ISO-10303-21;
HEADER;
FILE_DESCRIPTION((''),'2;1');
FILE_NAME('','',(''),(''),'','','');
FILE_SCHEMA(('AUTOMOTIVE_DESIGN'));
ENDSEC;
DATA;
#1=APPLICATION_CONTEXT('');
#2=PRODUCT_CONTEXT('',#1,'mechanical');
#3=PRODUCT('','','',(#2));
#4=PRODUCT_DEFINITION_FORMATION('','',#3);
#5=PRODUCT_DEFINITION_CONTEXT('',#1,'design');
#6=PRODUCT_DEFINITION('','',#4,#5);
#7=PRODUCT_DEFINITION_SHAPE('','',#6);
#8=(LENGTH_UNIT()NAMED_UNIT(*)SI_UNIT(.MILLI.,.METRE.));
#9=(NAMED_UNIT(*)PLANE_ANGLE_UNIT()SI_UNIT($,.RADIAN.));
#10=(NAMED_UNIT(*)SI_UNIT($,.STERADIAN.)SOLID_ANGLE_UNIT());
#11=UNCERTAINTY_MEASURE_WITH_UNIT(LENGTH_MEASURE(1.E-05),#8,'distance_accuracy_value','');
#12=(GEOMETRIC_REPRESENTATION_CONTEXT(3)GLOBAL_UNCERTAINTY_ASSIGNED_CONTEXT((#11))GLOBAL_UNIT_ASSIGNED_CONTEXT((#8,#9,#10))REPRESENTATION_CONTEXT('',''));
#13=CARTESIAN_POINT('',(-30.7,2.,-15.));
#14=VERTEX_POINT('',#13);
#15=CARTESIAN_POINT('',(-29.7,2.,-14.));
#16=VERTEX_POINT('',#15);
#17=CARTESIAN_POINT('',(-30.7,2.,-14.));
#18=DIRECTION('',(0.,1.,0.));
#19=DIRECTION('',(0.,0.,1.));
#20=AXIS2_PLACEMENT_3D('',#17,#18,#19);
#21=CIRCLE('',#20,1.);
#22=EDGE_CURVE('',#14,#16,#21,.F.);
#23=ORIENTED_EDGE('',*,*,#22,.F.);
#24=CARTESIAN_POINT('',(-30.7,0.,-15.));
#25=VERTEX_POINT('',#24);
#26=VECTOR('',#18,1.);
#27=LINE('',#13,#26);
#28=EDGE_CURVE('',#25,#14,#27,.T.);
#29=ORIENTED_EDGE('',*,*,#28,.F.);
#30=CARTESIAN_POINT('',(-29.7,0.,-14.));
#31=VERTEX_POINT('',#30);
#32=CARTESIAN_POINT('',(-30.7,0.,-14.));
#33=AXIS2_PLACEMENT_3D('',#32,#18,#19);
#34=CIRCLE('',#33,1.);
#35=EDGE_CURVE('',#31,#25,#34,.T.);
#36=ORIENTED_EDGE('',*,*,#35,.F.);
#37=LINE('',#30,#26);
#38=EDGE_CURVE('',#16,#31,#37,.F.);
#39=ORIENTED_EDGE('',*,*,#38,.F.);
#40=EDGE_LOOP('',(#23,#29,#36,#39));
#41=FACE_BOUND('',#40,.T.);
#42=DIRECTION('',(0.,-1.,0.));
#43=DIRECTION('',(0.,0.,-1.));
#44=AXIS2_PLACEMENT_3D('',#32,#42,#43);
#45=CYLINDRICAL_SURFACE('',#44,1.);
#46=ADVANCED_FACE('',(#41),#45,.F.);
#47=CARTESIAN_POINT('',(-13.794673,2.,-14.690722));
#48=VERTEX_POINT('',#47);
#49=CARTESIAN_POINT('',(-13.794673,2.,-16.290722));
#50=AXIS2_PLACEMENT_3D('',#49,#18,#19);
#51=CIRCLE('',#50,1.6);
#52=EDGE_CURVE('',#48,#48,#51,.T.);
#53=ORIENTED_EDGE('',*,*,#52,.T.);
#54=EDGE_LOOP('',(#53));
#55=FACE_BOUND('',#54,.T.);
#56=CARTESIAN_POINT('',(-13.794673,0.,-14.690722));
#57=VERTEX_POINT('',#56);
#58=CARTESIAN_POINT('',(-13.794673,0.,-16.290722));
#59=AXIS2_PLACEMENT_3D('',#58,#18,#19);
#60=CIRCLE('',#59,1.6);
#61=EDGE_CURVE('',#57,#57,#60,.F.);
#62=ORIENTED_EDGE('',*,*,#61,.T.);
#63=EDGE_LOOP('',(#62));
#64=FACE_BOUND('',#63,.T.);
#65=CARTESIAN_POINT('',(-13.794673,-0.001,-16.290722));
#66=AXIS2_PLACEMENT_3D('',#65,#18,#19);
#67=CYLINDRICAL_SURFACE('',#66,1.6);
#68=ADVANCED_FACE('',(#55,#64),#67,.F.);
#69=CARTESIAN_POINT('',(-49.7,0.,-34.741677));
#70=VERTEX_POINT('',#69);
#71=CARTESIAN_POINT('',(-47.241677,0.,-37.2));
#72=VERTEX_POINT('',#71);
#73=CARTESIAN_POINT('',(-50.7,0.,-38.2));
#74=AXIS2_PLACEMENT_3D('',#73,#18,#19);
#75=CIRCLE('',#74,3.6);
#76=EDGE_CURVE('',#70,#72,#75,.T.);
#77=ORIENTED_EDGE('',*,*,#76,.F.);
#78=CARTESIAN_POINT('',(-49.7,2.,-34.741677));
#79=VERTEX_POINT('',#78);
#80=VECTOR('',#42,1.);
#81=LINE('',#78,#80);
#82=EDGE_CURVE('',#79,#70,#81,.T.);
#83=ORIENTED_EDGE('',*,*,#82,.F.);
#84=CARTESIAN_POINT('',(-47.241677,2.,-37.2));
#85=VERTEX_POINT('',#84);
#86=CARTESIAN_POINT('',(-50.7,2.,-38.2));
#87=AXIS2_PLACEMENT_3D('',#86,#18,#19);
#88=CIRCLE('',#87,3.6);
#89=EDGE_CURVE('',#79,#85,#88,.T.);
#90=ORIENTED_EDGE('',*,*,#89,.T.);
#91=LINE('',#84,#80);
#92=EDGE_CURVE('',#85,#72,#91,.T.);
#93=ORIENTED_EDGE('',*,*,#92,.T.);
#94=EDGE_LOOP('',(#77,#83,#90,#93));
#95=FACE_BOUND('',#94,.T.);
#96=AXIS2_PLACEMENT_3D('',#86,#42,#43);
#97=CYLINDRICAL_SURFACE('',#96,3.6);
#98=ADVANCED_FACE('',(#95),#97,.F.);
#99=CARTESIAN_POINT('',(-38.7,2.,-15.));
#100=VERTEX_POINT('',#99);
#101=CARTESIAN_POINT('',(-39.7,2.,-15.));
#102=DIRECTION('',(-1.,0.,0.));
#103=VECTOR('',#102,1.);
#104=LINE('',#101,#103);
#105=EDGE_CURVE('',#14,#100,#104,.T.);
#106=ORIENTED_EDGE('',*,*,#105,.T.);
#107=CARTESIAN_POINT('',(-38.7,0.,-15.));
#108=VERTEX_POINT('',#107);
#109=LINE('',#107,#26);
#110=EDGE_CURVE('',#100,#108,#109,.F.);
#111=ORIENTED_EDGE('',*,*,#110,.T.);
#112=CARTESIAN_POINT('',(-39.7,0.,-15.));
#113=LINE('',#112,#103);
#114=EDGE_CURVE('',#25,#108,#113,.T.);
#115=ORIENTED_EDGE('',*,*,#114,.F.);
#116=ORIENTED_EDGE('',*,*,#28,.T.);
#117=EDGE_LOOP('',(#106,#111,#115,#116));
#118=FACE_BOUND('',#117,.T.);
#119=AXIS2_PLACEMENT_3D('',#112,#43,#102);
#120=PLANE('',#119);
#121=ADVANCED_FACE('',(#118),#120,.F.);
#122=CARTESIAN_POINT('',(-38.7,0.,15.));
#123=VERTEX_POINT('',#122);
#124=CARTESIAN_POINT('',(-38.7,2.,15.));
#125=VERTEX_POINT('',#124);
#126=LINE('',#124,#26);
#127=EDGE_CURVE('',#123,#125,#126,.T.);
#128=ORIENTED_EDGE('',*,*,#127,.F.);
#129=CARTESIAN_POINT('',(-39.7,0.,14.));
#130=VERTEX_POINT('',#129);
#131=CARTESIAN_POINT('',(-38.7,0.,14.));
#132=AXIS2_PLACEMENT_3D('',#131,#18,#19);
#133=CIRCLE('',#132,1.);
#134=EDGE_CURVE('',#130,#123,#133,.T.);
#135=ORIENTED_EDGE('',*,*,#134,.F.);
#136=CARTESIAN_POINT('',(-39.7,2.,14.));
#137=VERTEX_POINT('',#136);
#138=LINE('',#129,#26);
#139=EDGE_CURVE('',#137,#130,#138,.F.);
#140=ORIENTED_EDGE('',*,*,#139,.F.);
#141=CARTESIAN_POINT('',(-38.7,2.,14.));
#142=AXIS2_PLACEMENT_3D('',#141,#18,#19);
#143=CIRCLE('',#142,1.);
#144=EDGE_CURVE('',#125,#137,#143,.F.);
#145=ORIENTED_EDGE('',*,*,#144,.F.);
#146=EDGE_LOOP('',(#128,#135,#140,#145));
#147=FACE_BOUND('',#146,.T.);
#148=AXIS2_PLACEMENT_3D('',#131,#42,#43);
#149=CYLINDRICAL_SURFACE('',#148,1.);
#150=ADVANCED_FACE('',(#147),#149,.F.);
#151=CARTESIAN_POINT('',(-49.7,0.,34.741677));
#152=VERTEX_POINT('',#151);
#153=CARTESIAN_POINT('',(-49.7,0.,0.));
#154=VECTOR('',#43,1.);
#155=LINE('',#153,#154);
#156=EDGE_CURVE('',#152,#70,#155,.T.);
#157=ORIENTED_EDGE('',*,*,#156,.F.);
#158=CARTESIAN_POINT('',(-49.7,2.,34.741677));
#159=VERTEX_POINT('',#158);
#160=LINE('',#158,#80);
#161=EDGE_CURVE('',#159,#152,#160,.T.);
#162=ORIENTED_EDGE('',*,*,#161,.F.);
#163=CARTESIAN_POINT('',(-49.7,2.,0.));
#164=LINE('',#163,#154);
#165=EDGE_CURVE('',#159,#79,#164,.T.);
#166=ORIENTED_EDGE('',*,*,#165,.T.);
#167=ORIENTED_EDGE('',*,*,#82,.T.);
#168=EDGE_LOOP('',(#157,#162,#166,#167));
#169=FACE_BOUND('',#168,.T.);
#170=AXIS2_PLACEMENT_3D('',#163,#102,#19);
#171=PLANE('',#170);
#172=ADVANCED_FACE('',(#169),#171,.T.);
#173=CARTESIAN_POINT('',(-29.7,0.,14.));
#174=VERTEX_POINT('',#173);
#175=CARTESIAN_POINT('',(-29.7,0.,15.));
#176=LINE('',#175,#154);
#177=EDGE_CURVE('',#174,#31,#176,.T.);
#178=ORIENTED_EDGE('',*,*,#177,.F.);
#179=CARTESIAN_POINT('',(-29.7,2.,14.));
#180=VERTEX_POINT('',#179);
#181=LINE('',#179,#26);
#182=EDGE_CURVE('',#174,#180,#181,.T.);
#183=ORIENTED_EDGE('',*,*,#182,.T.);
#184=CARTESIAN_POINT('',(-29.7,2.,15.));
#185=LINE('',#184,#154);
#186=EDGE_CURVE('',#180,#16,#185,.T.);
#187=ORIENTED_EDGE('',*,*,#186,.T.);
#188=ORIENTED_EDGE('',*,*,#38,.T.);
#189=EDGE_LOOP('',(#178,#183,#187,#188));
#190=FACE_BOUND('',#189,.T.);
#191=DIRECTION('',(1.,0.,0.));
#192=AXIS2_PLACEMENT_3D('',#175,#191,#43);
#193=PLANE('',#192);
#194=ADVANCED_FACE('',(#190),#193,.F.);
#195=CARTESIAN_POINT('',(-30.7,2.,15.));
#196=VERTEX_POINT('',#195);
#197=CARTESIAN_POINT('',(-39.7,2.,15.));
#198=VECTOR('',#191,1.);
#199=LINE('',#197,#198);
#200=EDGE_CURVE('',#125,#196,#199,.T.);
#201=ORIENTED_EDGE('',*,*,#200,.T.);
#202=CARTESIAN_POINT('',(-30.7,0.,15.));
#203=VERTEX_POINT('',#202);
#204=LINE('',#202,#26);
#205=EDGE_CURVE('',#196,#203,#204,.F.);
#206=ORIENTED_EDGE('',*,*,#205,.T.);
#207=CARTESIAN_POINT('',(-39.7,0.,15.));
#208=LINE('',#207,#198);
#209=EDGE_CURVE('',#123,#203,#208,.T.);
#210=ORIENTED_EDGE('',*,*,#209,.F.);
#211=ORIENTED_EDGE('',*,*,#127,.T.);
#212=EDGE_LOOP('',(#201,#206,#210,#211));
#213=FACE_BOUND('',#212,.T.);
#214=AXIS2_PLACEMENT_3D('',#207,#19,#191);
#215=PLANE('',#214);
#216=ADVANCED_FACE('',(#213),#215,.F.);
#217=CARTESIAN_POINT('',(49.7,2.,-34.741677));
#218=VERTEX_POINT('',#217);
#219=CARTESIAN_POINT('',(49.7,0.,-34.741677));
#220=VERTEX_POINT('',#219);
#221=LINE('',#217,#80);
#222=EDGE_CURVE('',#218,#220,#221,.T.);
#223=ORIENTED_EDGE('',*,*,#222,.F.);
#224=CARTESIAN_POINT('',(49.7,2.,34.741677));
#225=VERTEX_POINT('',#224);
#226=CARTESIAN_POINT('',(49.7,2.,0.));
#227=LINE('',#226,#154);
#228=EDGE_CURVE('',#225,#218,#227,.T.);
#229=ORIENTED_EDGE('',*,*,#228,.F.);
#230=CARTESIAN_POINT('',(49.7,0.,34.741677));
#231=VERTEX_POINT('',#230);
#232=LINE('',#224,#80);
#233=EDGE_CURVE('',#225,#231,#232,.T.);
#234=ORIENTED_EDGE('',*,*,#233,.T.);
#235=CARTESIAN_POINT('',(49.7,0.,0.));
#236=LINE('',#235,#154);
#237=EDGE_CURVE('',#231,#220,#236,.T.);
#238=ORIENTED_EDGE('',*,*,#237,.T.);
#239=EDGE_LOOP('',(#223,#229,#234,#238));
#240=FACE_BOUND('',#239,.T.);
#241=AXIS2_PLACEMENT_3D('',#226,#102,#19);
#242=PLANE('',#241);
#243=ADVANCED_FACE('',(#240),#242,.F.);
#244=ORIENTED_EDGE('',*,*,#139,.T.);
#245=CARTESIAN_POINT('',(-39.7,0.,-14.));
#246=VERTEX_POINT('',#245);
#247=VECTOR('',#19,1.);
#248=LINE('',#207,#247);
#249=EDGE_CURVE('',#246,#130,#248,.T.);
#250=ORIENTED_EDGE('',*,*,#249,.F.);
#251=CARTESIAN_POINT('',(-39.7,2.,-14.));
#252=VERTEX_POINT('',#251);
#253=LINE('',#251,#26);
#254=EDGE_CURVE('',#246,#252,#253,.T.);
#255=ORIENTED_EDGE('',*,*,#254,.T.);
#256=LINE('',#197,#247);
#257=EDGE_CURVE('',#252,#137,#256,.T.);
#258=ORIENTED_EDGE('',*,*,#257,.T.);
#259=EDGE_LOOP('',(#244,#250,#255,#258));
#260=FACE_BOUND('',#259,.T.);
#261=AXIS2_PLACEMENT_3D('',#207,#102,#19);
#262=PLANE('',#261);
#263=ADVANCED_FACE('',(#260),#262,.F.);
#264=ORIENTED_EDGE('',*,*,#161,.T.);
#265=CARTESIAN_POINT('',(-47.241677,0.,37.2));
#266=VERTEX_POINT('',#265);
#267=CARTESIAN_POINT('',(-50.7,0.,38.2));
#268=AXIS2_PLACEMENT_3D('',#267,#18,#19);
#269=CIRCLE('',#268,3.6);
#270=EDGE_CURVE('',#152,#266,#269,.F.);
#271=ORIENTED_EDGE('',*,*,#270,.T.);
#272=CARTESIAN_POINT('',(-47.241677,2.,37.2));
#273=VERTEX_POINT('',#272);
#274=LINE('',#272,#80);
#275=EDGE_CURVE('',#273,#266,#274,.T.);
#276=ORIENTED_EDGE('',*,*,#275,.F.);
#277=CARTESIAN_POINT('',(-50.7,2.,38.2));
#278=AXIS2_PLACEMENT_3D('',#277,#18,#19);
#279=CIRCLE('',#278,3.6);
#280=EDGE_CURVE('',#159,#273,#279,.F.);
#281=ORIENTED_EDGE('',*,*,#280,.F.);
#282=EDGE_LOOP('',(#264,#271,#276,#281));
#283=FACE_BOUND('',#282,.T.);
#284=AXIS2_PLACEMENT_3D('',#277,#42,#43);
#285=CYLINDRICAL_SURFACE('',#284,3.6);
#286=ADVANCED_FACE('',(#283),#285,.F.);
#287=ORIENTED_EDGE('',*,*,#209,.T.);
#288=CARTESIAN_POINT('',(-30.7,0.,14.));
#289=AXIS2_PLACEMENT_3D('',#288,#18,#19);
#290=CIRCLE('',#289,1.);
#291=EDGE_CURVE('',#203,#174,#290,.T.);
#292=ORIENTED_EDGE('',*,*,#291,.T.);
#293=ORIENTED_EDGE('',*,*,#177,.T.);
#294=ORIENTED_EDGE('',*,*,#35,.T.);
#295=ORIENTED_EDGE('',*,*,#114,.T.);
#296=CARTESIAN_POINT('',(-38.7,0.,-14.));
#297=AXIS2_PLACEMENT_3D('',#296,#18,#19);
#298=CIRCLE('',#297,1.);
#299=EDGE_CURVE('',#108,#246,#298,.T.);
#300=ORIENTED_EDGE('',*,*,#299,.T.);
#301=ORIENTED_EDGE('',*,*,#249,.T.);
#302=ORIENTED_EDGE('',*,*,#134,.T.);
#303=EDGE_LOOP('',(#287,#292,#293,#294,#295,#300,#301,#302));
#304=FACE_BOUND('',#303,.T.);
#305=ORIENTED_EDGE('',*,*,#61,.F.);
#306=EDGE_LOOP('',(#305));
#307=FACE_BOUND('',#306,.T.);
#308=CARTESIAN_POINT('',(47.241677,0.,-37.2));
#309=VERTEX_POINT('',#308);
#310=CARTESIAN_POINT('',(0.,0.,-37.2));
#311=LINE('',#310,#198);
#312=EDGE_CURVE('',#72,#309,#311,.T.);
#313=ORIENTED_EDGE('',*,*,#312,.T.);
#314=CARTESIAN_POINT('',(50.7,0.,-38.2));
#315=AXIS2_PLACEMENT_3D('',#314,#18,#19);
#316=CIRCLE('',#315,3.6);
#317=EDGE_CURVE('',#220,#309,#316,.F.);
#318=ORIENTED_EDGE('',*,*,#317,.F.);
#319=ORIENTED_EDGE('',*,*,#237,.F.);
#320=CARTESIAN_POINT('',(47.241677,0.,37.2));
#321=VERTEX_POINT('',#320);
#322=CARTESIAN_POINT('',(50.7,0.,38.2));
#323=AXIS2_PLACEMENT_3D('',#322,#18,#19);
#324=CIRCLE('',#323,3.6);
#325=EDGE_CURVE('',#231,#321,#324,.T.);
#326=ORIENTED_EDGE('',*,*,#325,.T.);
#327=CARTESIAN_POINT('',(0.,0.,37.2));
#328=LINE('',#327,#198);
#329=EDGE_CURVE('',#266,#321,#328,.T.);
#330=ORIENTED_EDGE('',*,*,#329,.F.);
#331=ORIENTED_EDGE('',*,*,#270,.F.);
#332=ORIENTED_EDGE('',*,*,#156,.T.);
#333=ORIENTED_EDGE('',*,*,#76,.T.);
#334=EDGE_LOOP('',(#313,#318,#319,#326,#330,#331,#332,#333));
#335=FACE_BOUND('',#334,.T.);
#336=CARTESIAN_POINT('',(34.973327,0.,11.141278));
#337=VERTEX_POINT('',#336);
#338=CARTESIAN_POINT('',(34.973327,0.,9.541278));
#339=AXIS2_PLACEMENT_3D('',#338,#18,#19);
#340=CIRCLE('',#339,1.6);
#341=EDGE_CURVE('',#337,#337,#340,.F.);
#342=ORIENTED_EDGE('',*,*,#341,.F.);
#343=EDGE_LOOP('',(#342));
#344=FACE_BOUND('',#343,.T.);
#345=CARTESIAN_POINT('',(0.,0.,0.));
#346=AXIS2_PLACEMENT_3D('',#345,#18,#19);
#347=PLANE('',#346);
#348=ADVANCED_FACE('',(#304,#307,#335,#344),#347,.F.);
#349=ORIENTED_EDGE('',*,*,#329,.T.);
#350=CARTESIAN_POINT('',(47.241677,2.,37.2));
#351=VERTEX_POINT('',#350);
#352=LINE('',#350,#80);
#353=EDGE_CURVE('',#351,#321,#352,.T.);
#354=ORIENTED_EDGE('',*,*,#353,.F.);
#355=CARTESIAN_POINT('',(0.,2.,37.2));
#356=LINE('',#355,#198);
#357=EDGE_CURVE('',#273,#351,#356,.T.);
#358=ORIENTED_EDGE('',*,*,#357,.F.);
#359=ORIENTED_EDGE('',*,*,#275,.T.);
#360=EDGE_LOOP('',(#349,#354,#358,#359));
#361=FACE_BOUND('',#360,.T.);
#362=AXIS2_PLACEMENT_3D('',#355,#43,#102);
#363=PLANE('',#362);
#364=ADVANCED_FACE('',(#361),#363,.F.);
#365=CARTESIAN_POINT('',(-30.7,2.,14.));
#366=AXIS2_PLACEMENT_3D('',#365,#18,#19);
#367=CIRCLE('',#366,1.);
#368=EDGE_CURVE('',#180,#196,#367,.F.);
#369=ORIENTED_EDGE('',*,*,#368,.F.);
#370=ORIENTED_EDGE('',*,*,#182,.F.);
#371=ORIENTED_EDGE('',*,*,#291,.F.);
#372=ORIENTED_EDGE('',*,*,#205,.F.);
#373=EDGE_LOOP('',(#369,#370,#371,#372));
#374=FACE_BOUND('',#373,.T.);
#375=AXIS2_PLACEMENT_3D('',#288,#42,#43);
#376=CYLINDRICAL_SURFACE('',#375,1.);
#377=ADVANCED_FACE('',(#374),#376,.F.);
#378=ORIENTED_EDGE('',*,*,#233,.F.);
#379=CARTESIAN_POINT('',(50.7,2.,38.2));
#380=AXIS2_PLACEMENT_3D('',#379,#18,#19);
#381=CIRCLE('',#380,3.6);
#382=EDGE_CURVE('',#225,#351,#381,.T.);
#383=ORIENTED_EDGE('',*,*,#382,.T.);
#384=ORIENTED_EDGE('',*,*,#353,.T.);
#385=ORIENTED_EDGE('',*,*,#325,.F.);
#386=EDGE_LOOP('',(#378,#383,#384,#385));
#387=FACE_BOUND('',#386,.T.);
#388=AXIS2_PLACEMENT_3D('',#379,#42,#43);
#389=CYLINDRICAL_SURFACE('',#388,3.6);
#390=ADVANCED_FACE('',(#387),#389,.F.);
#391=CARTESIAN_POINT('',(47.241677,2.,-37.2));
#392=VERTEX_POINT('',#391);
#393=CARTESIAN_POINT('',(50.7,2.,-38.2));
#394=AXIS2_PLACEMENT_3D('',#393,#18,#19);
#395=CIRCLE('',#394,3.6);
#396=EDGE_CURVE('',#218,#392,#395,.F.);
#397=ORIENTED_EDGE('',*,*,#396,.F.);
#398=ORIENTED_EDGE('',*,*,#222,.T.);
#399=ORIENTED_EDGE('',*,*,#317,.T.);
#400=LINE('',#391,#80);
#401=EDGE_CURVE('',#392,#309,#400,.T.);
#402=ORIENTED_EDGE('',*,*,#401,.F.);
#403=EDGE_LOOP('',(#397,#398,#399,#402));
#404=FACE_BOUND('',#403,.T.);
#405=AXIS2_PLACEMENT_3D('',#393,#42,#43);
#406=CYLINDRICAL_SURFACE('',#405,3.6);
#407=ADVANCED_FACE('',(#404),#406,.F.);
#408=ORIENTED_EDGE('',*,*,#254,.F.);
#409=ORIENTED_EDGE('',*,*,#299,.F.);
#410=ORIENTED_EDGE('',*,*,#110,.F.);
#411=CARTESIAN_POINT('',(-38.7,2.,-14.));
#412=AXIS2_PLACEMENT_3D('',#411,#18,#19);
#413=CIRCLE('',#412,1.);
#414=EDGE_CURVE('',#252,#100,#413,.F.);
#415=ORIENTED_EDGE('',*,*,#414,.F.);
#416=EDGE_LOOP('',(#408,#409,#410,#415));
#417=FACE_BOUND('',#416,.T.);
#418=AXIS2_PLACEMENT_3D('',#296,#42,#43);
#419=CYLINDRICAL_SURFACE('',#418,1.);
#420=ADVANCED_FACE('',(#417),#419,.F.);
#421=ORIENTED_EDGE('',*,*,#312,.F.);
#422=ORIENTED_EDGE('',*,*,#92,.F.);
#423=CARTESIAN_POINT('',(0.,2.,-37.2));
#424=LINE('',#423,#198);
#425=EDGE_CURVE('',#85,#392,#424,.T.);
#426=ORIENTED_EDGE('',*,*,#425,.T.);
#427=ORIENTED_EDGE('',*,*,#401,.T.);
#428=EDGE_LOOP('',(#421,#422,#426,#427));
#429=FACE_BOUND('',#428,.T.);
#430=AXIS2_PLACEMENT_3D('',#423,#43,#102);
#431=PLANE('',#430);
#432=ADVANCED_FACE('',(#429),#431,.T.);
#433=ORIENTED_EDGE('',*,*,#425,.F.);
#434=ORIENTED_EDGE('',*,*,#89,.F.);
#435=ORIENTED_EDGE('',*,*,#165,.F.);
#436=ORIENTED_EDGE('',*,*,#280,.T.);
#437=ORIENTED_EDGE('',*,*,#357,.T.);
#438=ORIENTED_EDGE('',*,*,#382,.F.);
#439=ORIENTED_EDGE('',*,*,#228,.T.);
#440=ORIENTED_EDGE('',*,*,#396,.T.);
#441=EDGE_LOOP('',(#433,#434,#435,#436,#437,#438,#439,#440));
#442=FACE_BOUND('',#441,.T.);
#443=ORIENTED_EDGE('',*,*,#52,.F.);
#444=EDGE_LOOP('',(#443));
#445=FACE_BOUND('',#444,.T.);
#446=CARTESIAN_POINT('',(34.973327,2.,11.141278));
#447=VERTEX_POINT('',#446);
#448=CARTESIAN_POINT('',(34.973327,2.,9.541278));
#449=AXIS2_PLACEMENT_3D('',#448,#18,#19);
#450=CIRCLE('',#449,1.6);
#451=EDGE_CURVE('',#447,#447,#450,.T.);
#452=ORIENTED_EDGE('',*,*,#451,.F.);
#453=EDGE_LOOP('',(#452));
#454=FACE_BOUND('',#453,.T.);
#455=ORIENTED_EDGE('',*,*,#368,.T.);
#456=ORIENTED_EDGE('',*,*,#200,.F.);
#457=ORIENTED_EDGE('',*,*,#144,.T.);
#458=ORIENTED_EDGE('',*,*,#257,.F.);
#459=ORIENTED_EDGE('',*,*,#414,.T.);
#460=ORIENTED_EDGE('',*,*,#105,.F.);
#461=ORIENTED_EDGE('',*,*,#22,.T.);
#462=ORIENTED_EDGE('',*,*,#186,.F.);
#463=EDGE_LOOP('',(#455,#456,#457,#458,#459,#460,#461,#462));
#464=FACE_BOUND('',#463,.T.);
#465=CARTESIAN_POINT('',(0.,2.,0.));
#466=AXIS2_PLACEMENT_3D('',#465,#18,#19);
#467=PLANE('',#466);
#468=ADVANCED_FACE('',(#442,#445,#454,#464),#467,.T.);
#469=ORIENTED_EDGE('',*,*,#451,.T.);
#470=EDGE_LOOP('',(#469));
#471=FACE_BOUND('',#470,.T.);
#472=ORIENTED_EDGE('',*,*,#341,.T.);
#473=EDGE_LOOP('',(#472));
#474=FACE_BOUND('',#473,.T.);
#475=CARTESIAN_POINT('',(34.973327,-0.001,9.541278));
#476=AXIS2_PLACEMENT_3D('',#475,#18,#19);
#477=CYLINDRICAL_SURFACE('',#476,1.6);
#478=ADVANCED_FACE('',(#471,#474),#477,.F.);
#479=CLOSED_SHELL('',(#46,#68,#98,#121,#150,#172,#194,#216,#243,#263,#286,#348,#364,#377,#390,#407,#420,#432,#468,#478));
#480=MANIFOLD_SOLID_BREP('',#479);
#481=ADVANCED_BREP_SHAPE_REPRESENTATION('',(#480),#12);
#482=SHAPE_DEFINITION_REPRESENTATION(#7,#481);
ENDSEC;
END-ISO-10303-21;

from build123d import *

# Parameters (mm, degrees)
BOSS_EXTRUDE1_DEPTH = 2
SKETCH2_W           = 10
SKETCH2_H           = 30
CUT_EXTRUDE1_DEPTH  = 3
FILLET1_R           = 1
CUT_EXTRUDE2_REACH  = 4
SKETCH3_R           = 1.6


with BuildPart() as part:
    # Sketch1 → Boss-Extrude1 (new body)
    with BuildSketch(Plane(origin=(0, 0, 0), x_dir=(1, 0, 0), z_dir=(0, 1, 0))):
        with BuildLine():
            ThreePointArc((-49.7, -34.741676707), (-48.154415588, -35.654415588), (-47.241676707, -37.2))
            Line((-47.241676707, -37.2), (47.241676707, -37.2))
            ThreePointArc((47.241676707, -37.2), (48.154415588, -35.654415588), (49.7, -34.741676707))
            Line((49.7, -34.741676707), (49.7, 34.741676707))
            ThreePointArc((49.7, 34.741676707), (48.154415588, 35.654415588), (47.241676707, 37.2))
            Line((47.241676707, 37.2), (-47.241676707, 37.2))
            ThreePointArc((-47.241676707, 37.2), (-48.154415588, 35.654415588), (-49.7, 34.741676707))
            Line((-49.7, 34.741676707), (-49.7, -34.741676707))
        make_face()
    extrude(amount=BOSS_EXTRUDE1_DEPTH)

    # Sketch2 → Cut-Extrude1 (cut, through all)
    with BuildSketch(Plane(origin=(0, 2, 0), x_dir=(1, 0, 0), z_dir=(0, 1, 0))):
        with Locations((-34.7, 0)):
            Rectangle(SKETCH2_W, SKETCH2_H)
    extrude(amount=-CUT_EXTRUDE1_DEPTH, mode=Mode.SUBTRACT)

    # Fillet1
    fillet1_edges = [part.edges().sort_by_distance(p)[0] for p in [
        (-29.7, 1, -15),
        (-29.7, 1, 15),
        (-39.7, 1, 15),
        (-39.7, 1, -15),
    ]]
    fillet(fillet1_edges, radius=FILLET1_R)

    # Sketch3 → Cut-Extrude2 (cut, up to next)
    with BuildSketch(Plane(origin=(0, 2, 0), x_dir=(1, 0, 0), z_dir=(0, 1, 0)), mode=Mode.PRIVATE) as cut_extrude2_sk1:
        with Locations((-13.794673406, 16.290721811)):
            Circle(SKETCH3_R)
    cut_extrude2_tool1 = extrude(cut_extrude2_sk1.sketch, amount=-CUT_EXTRUDE2_REACH, mode=Mode.PRIVATE) & part.part
    add(cut_extrude2_tool1.solids().sort_by_distance((-13.794673, 2, -16.290722))[0], mode=Mode.SUBTRACT)
    # Sketch3 → Cut-Extrude2 (cut, up to next)
    with BuildSketch(Plane(origin=(0, 2, 0), x_dir=(1, 0, 0), z_dir=(0, 1, 0)), mode=Mode.PRIVATE) as cut_extrude2_sk2:
        with Locations((34.973326594, -9.541278189)):
            Circle(SKETCH3_R)
    cut_extrude2_tool2 = extrude(cut_extrude2_sk2.sketch, amount=-CUT_EXTRUDE2_REACH, mode=Mode.PRIVATE) & part.part
    add(cut_extrude2_tool2.solids().sort_by_distance((34.973327, 2, 9.541278))[0], mode=Mode.SUBTRACT)


solid = part.part
